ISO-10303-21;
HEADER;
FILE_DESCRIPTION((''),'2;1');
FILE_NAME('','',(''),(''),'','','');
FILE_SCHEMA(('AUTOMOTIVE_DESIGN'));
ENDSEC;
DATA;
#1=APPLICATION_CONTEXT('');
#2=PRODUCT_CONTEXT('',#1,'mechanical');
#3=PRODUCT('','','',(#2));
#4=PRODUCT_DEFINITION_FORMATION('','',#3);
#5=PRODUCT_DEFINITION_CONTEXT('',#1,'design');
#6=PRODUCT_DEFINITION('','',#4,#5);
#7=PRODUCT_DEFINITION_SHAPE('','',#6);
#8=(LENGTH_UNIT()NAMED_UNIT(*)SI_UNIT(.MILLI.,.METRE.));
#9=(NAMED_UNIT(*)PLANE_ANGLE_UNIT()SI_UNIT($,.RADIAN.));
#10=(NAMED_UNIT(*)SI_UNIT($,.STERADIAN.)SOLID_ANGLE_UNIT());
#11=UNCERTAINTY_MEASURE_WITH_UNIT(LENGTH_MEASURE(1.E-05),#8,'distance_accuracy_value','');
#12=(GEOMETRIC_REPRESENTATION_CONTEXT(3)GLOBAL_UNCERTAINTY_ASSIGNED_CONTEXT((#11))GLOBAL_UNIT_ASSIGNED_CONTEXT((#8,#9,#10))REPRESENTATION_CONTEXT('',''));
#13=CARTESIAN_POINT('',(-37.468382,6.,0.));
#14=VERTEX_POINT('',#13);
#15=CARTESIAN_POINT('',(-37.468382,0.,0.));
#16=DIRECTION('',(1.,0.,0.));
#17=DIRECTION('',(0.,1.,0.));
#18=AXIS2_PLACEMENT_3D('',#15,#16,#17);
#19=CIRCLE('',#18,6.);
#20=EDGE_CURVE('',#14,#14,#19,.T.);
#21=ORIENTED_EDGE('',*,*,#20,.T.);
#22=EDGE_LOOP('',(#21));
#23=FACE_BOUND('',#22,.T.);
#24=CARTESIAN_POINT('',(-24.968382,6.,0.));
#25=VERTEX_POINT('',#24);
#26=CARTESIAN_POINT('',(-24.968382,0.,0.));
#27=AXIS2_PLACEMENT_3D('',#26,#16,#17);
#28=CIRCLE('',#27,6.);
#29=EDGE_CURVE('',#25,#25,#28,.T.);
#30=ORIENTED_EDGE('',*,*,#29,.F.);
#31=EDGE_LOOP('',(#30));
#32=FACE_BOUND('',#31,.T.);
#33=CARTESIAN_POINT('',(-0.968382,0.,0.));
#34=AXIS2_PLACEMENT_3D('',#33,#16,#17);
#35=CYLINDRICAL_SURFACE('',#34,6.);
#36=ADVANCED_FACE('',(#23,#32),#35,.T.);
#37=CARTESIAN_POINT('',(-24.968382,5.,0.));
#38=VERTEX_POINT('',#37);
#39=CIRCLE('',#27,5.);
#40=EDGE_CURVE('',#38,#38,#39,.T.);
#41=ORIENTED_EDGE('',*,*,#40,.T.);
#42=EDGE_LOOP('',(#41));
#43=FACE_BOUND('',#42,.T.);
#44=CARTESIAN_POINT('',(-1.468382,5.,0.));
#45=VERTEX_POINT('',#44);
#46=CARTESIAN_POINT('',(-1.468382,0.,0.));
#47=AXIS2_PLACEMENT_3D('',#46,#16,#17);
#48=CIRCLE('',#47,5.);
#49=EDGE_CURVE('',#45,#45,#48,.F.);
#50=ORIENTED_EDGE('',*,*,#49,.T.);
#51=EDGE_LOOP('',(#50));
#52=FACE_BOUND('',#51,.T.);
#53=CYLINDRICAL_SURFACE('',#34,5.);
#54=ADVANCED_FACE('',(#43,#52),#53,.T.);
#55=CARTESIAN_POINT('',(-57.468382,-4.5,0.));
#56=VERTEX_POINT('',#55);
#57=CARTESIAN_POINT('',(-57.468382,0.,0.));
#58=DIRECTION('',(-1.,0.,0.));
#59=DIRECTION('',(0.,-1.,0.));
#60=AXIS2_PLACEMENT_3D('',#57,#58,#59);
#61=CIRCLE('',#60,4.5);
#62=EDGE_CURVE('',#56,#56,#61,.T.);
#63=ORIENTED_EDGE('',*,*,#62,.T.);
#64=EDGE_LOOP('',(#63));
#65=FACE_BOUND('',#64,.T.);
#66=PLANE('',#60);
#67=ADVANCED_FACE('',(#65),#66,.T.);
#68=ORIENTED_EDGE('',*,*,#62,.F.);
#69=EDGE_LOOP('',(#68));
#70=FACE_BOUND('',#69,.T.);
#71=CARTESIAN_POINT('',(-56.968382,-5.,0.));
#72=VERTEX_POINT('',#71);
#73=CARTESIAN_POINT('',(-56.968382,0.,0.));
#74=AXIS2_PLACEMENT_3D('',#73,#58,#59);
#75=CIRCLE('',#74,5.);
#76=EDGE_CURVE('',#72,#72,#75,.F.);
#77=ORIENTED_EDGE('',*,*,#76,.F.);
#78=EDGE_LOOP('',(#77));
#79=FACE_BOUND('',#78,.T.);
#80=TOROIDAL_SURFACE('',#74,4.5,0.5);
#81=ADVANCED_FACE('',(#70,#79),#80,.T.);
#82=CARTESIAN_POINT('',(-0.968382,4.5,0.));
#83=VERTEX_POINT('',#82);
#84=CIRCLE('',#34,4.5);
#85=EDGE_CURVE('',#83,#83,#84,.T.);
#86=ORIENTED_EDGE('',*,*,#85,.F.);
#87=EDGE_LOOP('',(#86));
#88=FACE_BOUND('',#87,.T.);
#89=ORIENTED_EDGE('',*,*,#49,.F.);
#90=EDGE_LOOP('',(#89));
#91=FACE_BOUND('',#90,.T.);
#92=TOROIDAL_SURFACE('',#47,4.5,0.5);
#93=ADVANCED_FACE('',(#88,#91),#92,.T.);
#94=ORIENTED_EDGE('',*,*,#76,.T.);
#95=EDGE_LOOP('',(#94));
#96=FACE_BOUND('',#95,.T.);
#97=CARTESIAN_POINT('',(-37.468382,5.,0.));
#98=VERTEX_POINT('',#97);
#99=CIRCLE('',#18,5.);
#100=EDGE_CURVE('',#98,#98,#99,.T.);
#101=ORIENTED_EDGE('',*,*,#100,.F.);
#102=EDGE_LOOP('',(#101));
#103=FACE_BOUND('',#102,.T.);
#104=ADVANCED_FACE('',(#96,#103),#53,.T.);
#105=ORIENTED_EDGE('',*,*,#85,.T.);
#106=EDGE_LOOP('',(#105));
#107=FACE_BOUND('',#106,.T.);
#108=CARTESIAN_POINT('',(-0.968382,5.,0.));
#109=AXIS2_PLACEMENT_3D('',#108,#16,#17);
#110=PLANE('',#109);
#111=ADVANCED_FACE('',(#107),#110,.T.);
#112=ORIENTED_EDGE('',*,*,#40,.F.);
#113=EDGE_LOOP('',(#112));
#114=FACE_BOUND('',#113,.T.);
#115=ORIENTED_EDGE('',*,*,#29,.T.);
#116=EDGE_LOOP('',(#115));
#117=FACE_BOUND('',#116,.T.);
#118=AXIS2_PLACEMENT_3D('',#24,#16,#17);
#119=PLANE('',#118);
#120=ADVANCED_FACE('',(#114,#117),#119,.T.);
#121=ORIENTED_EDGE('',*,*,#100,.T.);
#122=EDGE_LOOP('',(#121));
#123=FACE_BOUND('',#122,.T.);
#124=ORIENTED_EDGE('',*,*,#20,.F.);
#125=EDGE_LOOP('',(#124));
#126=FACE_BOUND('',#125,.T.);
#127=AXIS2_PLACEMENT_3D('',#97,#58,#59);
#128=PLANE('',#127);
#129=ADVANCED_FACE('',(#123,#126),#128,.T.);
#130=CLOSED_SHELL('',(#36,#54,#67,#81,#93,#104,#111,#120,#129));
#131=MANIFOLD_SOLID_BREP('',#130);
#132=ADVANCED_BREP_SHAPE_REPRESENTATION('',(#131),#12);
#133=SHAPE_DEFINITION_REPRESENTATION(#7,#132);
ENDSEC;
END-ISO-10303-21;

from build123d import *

# Parameters (mm, degrees)
VERRUNDUNG1_R = 0.5


with BuildPart() as part:
    # Skizze1 → Rotation1 (revolve)
    with BuildSketch(Plane.XY):
        Polygon((-57.468382115, 0), (-57.468382115, 5), (-37.468382115, 5), (-37.468382115, 6), (-24.968382115, 6), (-24.968382115, 5), (-0.968382115, 5), (-0.968382115, 0), align=None)
    revolve(axis=Axis((-0.968382115, 0, 0), (-1, 0, 0)))

    # Verrundung1
    verrundung1_edges = [part.edges().sort_by_distance(p)[0] for p in [
        (-0.968382115, -5, 0),
        (-57.468382115, -5, 0),
    ]]
    fillet(verrundung1_edges, radius=VERRUNDUNG1_R)


solid = part.part
